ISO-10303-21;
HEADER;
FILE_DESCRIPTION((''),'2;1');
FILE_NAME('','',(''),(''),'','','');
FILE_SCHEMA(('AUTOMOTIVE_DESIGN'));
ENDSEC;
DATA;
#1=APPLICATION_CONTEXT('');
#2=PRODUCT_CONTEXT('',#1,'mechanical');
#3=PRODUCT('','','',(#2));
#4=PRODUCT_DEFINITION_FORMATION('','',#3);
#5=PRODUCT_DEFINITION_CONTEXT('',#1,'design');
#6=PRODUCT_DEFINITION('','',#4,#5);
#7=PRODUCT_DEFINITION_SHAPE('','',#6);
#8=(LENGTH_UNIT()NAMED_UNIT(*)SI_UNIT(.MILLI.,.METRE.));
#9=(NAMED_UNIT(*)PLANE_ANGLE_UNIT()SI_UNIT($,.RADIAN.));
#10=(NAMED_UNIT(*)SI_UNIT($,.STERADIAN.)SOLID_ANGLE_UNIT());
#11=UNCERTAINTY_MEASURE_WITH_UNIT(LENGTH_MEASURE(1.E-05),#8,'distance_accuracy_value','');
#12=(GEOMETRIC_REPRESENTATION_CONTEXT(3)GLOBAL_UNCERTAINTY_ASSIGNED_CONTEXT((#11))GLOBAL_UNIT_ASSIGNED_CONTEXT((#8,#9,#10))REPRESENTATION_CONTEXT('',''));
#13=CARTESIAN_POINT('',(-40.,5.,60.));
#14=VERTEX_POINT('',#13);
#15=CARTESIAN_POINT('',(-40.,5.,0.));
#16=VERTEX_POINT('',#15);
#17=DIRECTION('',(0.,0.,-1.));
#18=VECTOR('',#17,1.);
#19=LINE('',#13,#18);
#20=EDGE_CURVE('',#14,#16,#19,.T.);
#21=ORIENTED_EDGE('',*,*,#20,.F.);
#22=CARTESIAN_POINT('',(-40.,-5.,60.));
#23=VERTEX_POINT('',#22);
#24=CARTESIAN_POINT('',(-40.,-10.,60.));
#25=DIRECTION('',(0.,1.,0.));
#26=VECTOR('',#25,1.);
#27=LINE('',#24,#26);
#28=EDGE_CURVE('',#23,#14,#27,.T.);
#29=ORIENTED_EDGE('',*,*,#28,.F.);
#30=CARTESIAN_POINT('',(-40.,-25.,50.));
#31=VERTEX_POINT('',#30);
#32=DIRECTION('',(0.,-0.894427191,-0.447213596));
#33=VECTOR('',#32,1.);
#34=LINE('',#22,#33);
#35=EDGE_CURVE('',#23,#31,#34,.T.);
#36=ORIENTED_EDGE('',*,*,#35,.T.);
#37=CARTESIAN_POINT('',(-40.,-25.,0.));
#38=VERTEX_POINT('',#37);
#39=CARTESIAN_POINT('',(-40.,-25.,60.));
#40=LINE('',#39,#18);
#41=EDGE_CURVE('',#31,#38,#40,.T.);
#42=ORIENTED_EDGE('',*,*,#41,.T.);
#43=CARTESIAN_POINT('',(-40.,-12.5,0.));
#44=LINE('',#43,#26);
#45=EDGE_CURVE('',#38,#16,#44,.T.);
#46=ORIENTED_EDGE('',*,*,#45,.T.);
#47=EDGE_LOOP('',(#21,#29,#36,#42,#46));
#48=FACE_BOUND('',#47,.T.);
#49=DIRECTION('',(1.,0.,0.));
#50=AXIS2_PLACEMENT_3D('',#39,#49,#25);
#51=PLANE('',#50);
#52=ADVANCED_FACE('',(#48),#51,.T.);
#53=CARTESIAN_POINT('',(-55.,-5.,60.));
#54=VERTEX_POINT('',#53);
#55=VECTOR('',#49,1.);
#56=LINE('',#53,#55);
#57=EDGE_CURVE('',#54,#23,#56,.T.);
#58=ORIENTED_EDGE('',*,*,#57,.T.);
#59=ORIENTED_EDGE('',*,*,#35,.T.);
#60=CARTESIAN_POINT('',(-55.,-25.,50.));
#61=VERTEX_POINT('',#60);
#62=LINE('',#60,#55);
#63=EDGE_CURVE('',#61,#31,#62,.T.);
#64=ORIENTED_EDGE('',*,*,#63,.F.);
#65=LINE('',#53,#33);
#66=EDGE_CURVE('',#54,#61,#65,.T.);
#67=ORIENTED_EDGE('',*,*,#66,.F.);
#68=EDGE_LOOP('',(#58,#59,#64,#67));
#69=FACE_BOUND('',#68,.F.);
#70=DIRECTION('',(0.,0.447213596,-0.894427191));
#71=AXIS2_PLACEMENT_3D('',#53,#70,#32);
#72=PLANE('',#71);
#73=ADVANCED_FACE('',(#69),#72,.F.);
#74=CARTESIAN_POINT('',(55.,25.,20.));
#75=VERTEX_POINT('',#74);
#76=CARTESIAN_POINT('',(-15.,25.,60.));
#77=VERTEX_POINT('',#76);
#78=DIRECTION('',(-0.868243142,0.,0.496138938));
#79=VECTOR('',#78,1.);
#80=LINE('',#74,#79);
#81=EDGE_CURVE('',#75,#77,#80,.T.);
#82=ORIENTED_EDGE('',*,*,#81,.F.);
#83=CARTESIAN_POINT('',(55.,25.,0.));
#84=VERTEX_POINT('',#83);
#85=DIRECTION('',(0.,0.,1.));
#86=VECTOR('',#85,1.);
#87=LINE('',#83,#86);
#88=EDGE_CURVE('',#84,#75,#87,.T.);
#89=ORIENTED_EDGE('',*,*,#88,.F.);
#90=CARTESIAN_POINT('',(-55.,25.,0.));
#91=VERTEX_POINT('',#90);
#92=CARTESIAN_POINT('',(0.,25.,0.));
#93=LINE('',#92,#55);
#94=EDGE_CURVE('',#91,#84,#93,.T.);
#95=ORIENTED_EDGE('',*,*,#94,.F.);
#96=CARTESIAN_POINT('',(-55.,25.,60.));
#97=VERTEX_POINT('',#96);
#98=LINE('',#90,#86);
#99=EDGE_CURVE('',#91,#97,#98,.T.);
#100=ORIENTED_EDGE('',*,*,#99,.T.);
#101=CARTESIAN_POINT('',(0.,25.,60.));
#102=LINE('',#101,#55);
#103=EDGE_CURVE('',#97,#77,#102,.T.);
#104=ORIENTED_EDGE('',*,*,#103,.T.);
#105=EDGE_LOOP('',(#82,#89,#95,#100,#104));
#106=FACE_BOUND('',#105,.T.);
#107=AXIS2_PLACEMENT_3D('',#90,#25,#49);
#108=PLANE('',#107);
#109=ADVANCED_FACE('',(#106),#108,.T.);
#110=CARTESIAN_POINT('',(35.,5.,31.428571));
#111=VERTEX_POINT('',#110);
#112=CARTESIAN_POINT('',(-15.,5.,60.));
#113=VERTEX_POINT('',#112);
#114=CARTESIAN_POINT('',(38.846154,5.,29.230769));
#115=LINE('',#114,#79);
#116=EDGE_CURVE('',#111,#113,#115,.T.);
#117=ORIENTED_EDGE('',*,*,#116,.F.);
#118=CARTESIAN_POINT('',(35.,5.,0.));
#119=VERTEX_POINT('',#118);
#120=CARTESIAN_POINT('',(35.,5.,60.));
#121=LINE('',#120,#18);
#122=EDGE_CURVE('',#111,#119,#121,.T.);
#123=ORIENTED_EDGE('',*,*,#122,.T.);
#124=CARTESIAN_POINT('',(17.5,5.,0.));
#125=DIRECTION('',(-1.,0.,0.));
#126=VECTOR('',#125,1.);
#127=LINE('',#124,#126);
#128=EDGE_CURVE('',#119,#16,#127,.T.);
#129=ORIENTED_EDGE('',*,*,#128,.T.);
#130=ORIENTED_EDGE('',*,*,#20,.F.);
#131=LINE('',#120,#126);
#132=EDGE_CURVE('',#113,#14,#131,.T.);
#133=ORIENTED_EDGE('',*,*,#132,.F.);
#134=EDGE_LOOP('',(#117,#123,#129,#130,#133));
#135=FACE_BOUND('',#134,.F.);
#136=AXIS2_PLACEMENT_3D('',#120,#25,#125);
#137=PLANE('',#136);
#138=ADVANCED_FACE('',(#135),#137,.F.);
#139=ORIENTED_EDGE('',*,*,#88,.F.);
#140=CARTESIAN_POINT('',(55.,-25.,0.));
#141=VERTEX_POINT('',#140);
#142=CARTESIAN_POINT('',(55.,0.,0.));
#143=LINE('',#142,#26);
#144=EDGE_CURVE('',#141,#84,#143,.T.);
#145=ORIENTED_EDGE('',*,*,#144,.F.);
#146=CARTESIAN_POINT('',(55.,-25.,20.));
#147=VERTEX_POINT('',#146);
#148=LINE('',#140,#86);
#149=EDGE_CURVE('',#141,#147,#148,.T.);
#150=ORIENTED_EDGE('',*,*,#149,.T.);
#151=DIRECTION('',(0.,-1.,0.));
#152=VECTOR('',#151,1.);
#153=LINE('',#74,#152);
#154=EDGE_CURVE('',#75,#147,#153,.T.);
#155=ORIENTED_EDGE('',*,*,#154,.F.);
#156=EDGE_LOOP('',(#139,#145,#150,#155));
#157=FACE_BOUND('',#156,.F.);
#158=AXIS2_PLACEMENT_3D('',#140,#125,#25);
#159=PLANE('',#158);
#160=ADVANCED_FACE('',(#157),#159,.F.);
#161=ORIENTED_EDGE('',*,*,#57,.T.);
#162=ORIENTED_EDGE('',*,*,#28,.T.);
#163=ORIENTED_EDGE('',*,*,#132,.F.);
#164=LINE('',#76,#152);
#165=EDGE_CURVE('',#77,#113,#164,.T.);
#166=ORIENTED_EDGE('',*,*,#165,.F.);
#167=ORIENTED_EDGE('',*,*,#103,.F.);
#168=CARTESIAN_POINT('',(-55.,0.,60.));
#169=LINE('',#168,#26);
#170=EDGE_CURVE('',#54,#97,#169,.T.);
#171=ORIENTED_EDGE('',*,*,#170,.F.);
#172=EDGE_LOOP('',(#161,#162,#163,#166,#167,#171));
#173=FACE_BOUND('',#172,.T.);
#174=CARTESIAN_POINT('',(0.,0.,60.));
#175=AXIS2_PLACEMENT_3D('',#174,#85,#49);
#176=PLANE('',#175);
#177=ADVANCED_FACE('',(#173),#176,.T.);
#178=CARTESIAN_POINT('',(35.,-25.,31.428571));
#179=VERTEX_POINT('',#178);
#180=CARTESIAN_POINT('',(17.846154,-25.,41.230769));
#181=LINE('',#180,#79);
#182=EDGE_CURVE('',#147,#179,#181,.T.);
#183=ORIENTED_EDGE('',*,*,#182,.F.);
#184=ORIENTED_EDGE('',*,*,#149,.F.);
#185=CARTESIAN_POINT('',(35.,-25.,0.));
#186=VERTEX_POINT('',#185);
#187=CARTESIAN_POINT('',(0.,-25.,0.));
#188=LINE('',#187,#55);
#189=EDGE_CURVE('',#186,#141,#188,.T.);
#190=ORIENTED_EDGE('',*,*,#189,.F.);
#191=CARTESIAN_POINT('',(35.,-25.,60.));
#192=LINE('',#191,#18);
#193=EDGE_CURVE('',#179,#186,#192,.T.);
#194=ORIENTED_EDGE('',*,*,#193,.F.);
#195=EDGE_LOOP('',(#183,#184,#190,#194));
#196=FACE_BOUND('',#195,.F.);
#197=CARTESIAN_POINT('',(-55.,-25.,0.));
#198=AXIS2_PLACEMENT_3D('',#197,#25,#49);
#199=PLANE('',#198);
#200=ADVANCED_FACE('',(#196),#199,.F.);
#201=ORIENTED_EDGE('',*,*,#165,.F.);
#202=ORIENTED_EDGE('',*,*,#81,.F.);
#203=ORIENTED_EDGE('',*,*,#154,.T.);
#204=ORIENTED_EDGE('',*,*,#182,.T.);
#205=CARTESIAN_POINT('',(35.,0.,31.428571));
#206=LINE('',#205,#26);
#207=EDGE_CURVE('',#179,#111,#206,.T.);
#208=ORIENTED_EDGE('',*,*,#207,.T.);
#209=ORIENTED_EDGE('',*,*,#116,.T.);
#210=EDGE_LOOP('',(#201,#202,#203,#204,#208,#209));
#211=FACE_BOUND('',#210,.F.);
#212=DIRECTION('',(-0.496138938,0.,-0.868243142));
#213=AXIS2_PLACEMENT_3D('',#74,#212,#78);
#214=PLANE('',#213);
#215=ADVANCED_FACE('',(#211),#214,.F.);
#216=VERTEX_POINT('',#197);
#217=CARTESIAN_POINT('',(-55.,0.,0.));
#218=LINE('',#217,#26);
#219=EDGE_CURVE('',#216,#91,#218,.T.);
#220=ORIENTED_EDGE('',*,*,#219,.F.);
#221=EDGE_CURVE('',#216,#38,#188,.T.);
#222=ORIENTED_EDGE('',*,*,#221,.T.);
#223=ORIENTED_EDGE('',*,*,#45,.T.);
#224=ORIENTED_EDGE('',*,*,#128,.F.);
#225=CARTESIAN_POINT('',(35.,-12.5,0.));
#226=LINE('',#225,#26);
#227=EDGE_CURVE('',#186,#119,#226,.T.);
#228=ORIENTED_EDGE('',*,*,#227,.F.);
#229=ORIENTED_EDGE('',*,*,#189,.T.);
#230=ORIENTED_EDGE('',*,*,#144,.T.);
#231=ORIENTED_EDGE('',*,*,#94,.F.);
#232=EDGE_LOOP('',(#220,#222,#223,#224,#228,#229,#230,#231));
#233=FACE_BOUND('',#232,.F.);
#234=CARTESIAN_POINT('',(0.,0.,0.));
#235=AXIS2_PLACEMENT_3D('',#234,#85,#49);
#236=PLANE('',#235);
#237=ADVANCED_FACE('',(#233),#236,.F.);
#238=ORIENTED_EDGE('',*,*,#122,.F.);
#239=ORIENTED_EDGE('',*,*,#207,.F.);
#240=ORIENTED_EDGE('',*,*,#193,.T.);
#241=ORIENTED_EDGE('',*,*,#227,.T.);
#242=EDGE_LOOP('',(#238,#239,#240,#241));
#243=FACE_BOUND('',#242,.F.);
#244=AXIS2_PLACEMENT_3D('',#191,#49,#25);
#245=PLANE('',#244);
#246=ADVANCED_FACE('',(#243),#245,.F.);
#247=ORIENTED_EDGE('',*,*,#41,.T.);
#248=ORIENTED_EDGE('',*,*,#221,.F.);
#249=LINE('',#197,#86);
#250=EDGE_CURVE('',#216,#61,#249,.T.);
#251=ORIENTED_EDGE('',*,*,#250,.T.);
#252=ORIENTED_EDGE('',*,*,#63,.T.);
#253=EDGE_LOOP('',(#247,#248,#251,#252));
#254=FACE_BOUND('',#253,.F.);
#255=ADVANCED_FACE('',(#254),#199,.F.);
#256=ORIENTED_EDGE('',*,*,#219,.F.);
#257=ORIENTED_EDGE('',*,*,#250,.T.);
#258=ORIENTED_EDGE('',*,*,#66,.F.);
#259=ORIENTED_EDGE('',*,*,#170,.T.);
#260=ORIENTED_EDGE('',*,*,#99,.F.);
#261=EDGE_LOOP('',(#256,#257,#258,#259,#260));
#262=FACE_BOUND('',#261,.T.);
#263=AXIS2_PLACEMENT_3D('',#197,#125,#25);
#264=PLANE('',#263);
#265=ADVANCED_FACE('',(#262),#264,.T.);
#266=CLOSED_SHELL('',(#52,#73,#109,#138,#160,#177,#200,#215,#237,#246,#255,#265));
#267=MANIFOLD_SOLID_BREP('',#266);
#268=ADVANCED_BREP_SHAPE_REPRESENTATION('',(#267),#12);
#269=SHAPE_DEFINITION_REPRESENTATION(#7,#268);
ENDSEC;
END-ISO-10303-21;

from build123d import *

# Parameters (mm, degrees)
F1_W     = 110
F1_H     = 50
F2_DEPTH = 60
F3_W     = 40
F3_H     = 30
F3_W_2   = 35
F4_DEPTH = 60.001
F6_DEPTH = 15
F8_DEPTH = 50.001


with BuildPart() as f2:
    # F1 (on Top) → F2 (new body)
    with BuildSketch(Plane.XY):
        Rectangle(F1_W, F1_H)
    extrude(amount=F2_DEPTH)

    # F3 (on face) → F4 (cut, through all)
    with BuildSketch(Plane.XY.offset(60)):
        with Locations((-20, -10)):
            Rectangle(F3_W, F3_H)
        with Locations((17.5, -10)):
            Rectangle(F3_W_2, F3_H)
    extrude(amount=-F4_DEPTH, mode=Mode.SUBTRACT)

    # F5 (on face) → F6 (cut, through all)
    with BuildSketch(Plane(origin=(-55, 0, 0), x_dir=(0, -1, 0), z_dir=(-1, 0, 0))):
        Polygon((25, 50), (25, 60), (5, 60), align=None)
    extrude(amount=-F6_DEPTH, mode=Mode.SUBTRACT)

    # F7 (on face) → F8 (cut, through all)
    with BuildSketch(Plane(origin=(0, 25, 0), x_dir=(-1, 0, 0), z_dir=(0, 1, 0))):
        Polygon((15, 60), (-55, 60), (-55, 20), align=None)
    extrude(amount=-F8_DEPTH, mode=Mode.SUBTRACT)


solid = f2.part
